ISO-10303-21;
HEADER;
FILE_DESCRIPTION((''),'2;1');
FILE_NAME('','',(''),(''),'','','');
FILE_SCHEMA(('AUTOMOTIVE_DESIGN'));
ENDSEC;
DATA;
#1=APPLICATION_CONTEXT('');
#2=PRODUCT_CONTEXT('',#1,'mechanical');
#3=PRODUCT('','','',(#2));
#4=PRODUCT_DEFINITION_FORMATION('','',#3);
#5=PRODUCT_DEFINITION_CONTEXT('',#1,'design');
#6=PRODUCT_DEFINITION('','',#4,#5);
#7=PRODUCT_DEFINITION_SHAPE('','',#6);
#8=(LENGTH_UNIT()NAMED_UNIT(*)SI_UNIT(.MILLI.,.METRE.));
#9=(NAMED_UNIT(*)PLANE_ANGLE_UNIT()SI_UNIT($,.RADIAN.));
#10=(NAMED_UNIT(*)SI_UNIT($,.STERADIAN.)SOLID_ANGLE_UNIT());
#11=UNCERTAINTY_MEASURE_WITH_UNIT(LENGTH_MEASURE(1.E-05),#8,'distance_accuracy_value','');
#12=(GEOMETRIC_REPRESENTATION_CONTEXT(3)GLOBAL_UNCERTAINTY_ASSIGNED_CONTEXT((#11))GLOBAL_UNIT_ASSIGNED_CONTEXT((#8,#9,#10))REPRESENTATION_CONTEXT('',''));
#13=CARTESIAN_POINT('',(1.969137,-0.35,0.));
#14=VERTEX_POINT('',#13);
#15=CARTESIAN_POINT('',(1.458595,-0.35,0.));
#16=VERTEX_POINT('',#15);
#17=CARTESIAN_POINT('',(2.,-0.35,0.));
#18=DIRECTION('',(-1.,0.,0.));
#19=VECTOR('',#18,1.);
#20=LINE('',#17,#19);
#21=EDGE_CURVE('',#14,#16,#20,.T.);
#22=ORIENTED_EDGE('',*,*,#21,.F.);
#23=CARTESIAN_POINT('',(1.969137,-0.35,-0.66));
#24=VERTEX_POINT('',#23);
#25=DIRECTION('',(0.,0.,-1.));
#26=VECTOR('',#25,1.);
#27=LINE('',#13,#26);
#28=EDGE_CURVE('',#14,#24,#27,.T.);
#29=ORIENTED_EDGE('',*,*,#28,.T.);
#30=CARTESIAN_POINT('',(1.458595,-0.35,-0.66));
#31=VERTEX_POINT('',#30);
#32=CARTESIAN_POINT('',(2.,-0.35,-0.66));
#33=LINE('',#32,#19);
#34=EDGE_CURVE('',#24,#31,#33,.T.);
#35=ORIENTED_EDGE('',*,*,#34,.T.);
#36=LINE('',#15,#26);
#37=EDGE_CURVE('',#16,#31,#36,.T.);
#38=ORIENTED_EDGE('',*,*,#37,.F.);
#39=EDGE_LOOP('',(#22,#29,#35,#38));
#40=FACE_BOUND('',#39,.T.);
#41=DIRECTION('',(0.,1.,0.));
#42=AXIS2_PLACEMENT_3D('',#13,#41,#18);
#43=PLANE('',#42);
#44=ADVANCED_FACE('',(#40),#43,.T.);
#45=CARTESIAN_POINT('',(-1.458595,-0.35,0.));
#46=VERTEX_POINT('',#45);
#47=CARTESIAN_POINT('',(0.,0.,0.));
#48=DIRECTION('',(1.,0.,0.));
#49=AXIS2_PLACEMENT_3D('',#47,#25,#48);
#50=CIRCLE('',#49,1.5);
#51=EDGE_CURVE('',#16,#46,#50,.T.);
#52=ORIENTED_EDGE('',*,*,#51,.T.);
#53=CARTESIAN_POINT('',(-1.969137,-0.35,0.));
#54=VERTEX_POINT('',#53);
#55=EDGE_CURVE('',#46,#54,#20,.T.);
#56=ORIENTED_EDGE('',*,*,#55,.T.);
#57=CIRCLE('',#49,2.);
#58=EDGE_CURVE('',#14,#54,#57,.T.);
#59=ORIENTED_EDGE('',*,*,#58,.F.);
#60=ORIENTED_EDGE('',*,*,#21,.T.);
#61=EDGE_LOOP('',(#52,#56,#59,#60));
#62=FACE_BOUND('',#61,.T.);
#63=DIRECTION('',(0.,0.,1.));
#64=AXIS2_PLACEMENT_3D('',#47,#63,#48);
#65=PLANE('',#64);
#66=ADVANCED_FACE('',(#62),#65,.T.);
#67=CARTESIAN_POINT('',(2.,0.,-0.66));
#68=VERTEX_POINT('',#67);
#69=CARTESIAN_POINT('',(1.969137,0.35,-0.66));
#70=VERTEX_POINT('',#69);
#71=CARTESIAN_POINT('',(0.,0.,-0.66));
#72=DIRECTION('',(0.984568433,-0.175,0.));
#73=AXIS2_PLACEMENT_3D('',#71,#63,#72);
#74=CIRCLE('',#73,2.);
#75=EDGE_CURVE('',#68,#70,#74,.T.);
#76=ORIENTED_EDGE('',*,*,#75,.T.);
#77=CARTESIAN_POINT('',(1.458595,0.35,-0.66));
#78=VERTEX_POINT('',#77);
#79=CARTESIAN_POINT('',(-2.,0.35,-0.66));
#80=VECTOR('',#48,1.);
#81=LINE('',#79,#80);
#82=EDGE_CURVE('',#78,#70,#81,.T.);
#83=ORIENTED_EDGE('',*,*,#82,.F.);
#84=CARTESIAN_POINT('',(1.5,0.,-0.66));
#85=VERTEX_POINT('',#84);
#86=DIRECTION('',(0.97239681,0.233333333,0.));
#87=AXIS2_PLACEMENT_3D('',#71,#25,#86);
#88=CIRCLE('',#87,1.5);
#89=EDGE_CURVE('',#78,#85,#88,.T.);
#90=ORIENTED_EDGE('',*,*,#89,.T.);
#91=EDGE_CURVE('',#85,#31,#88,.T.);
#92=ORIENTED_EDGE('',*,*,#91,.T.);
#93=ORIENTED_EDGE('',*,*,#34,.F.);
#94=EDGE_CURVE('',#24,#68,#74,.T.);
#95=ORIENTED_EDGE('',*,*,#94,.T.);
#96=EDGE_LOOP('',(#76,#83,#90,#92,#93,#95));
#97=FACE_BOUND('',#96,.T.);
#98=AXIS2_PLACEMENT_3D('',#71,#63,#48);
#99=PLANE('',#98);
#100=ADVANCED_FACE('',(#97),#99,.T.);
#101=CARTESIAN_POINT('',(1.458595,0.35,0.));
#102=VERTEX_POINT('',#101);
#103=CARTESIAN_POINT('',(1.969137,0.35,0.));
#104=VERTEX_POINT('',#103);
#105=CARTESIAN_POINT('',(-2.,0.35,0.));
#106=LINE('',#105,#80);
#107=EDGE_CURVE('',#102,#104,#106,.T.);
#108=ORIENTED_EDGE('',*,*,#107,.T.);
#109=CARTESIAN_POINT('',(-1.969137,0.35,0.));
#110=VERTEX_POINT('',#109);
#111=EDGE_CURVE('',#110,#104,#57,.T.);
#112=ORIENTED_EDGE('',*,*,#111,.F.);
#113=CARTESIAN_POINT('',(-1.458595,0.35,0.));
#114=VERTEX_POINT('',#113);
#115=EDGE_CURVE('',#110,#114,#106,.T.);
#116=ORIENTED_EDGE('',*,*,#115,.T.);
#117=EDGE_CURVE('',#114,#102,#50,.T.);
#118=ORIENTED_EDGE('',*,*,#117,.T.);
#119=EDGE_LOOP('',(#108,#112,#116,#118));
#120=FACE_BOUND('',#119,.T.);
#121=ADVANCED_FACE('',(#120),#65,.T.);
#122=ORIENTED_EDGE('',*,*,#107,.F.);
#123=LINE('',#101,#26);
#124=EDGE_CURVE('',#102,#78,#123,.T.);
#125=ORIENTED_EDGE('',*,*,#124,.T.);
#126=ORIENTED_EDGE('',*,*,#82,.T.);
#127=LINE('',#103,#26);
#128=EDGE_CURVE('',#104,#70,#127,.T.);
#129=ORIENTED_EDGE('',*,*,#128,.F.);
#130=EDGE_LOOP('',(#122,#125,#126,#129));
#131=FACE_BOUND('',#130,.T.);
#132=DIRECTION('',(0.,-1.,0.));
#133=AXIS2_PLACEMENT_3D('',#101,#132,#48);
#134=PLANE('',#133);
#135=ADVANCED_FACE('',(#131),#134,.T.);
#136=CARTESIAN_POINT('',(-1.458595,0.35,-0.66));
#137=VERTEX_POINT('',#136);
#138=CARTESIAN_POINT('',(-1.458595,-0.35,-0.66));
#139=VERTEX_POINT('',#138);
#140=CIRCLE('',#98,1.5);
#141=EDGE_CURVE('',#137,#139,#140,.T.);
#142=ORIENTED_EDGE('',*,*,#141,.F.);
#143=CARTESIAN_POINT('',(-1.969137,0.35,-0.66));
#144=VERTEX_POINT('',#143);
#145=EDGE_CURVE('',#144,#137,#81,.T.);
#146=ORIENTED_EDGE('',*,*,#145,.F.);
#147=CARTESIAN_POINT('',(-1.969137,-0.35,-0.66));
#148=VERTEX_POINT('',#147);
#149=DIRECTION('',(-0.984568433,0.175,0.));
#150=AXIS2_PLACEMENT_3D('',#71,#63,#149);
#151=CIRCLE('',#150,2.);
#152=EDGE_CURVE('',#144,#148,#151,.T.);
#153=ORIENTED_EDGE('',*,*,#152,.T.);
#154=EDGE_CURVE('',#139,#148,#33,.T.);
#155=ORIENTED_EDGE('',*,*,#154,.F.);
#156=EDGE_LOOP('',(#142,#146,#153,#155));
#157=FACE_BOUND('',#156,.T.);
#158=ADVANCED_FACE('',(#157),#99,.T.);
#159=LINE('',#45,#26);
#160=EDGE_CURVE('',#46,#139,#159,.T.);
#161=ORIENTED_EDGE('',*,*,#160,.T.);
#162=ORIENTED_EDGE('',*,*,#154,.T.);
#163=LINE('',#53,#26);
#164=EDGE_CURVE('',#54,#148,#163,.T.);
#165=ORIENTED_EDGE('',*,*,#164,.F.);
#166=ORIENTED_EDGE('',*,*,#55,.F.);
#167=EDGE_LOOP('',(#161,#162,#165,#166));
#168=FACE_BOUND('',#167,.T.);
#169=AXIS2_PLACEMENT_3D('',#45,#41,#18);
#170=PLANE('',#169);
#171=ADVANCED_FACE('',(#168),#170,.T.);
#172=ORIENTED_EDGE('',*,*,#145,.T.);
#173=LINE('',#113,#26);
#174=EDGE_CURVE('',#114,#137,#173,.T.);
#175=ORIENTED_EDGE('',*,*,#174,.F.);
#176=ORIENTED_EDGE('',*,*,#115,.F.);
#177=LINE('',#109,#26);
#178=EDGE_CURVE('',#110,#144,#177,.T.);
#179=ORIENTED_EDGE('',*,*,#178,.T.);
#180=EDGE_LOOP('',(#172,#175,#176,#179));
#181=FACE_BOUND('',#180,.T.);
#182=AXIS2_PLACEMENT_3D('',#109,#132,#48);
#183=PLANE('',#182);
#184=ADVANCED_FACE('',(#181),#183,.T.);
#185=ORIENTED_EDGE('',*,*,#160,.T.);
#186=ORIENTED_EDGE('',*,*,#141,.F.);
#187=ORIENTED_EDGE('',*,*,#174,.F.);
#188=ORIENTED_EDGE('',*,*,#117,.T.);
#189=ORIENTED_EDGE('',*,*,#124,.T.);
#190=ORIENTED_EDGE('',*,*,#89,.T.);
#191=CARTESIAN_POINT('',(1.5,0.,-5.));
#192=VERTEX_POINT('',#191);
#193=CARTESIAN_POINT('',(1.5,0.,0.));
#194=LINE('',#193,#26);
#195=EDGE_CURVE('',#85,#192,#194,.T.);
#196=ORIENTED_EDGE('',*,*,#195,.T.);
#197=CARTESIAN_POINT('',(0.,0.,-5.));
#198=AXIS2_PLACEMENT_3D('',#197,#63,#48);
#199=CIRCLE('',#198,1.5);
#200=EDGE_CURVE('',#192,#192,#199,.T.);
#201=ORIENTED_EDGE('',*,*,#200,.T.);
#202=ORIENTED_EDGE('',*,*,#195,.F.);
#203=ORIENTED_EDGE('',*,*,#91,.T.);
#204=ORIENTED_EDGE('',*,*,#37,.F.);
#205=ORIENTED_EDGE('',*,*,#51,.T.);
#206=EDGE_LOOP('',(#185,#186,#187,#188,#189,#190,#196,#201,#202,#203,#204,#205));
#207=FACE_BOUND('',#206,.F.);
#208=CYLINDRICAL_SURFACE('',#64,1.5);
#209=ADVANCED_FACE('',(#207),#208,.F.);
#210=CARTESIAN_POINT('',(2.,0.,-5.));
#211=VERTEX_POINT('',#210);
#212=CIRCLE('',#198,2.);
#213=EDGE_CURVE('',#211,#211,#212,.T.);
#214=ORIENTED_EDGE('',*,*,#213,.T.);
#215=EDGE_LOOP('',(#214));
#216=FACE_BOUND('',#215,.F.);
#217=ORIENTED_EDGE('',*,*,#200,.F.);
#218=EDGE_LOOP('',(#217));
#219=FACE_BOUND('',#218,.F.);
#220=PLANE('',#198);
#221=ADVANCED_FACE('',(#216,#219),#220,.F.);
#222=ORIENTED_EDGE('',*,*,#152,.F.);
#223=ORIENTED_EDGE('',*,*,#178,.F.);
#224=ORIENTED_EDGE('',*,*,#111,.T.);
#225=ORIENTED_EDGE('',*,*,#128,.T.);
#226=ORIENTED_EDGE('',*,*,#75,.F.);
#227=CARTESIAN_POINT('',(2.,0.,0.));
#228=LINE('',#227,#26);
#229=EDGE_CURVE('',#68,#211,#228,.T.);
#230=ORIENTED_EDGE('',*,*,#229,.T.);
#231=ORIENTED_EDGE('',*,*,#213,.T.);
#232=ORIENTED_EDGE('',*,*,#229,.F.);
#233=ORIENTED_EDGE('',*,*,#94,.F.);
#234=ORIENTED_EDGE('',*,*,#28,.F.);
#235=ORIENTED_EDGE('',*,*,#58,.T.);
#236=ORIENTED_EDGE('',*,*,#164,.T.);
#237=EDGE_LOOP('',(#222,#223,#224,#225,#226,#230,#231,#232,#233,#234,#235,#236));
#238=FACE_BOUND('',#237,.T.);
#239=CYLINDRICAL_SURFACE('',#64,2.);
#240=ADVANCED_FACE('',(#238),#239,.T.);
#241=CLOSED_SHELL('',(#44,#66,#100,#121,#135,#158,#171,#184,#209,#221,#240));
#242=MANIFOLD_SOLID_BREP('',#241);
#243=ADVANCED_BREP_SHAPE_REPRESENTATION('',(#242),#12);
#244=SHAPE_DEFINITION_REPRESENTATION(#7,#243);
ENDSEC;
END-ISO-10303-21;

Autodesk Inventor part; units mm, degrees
ref_plane "YZ Plane" through (0, 0, 0) normal (1, 0, 0) x (0, 1, 0)
ref_plane "XZ Plane" through (0, 0, 0) normal (0, 1, 0) x (-1, 0, 0)
ref_plane "XY Plane" through (0, 0, 0) normal (0, 0, 1) x (1, 0, 0)
sketch "スケッチ1" plane through (0, 0, 0) normal (0, 0, 1) x (1, 0, 0)
  circle A0 centre (0, 0) radius 2
  circle A1 centre (0, 0) radius 1.5
  line L0 (-2, 0.35) -> (2, 0.35)
  line L1 (2, 0.35) -> (2, -0.35)
  line L2 (2, -0.35) -> (-2, -0.35)
  line L3 (-2, -0.35) -> (-2, 0.35)
  line L4 (-2, 0.35) -> (2, -0.35) construction
  line L5 (2, 0.35) -> (-2, -0.35) construction
  point P0 (1.4586, -0.35)
  point P1 (1.9691, -0.35)
  point P2 (1.9691, 0.35)
  point P3 (1.4586, 0.35)
  point P4 (-1.9691, -0.35)
  point P5 (-1.4586, -0.35)
  point P6 (-1.4586, 0.35)
  point P7 (-1.9691, 0.35)
  dimension "d0" = 4
  dimension "d1" = 3
  dimension "d8" = 0.7
extrude "押し出し1" add sketch "スケッチ1" against normal blind 5 contours A0 L2 A1 L0 | L0 A1 A0 | A0 L2 A1 | L0 A1 L2 A0
thread "ねじ1" size "M3x0.5" class "6H" standard "ANSI Metric M Profile" full length
thread "ねじ2" size "M4x0.5" class "6g" standard "ANSI Metric M Profile" full length
extrude "押し出し2" cut sketch "スケッチ1" against normal blind 0.66 contours A0 L2 A1 L0 | L0 A1 L2 A0
properties part number "IRU-305S" material "ステンレス鋼 AISI 304"
